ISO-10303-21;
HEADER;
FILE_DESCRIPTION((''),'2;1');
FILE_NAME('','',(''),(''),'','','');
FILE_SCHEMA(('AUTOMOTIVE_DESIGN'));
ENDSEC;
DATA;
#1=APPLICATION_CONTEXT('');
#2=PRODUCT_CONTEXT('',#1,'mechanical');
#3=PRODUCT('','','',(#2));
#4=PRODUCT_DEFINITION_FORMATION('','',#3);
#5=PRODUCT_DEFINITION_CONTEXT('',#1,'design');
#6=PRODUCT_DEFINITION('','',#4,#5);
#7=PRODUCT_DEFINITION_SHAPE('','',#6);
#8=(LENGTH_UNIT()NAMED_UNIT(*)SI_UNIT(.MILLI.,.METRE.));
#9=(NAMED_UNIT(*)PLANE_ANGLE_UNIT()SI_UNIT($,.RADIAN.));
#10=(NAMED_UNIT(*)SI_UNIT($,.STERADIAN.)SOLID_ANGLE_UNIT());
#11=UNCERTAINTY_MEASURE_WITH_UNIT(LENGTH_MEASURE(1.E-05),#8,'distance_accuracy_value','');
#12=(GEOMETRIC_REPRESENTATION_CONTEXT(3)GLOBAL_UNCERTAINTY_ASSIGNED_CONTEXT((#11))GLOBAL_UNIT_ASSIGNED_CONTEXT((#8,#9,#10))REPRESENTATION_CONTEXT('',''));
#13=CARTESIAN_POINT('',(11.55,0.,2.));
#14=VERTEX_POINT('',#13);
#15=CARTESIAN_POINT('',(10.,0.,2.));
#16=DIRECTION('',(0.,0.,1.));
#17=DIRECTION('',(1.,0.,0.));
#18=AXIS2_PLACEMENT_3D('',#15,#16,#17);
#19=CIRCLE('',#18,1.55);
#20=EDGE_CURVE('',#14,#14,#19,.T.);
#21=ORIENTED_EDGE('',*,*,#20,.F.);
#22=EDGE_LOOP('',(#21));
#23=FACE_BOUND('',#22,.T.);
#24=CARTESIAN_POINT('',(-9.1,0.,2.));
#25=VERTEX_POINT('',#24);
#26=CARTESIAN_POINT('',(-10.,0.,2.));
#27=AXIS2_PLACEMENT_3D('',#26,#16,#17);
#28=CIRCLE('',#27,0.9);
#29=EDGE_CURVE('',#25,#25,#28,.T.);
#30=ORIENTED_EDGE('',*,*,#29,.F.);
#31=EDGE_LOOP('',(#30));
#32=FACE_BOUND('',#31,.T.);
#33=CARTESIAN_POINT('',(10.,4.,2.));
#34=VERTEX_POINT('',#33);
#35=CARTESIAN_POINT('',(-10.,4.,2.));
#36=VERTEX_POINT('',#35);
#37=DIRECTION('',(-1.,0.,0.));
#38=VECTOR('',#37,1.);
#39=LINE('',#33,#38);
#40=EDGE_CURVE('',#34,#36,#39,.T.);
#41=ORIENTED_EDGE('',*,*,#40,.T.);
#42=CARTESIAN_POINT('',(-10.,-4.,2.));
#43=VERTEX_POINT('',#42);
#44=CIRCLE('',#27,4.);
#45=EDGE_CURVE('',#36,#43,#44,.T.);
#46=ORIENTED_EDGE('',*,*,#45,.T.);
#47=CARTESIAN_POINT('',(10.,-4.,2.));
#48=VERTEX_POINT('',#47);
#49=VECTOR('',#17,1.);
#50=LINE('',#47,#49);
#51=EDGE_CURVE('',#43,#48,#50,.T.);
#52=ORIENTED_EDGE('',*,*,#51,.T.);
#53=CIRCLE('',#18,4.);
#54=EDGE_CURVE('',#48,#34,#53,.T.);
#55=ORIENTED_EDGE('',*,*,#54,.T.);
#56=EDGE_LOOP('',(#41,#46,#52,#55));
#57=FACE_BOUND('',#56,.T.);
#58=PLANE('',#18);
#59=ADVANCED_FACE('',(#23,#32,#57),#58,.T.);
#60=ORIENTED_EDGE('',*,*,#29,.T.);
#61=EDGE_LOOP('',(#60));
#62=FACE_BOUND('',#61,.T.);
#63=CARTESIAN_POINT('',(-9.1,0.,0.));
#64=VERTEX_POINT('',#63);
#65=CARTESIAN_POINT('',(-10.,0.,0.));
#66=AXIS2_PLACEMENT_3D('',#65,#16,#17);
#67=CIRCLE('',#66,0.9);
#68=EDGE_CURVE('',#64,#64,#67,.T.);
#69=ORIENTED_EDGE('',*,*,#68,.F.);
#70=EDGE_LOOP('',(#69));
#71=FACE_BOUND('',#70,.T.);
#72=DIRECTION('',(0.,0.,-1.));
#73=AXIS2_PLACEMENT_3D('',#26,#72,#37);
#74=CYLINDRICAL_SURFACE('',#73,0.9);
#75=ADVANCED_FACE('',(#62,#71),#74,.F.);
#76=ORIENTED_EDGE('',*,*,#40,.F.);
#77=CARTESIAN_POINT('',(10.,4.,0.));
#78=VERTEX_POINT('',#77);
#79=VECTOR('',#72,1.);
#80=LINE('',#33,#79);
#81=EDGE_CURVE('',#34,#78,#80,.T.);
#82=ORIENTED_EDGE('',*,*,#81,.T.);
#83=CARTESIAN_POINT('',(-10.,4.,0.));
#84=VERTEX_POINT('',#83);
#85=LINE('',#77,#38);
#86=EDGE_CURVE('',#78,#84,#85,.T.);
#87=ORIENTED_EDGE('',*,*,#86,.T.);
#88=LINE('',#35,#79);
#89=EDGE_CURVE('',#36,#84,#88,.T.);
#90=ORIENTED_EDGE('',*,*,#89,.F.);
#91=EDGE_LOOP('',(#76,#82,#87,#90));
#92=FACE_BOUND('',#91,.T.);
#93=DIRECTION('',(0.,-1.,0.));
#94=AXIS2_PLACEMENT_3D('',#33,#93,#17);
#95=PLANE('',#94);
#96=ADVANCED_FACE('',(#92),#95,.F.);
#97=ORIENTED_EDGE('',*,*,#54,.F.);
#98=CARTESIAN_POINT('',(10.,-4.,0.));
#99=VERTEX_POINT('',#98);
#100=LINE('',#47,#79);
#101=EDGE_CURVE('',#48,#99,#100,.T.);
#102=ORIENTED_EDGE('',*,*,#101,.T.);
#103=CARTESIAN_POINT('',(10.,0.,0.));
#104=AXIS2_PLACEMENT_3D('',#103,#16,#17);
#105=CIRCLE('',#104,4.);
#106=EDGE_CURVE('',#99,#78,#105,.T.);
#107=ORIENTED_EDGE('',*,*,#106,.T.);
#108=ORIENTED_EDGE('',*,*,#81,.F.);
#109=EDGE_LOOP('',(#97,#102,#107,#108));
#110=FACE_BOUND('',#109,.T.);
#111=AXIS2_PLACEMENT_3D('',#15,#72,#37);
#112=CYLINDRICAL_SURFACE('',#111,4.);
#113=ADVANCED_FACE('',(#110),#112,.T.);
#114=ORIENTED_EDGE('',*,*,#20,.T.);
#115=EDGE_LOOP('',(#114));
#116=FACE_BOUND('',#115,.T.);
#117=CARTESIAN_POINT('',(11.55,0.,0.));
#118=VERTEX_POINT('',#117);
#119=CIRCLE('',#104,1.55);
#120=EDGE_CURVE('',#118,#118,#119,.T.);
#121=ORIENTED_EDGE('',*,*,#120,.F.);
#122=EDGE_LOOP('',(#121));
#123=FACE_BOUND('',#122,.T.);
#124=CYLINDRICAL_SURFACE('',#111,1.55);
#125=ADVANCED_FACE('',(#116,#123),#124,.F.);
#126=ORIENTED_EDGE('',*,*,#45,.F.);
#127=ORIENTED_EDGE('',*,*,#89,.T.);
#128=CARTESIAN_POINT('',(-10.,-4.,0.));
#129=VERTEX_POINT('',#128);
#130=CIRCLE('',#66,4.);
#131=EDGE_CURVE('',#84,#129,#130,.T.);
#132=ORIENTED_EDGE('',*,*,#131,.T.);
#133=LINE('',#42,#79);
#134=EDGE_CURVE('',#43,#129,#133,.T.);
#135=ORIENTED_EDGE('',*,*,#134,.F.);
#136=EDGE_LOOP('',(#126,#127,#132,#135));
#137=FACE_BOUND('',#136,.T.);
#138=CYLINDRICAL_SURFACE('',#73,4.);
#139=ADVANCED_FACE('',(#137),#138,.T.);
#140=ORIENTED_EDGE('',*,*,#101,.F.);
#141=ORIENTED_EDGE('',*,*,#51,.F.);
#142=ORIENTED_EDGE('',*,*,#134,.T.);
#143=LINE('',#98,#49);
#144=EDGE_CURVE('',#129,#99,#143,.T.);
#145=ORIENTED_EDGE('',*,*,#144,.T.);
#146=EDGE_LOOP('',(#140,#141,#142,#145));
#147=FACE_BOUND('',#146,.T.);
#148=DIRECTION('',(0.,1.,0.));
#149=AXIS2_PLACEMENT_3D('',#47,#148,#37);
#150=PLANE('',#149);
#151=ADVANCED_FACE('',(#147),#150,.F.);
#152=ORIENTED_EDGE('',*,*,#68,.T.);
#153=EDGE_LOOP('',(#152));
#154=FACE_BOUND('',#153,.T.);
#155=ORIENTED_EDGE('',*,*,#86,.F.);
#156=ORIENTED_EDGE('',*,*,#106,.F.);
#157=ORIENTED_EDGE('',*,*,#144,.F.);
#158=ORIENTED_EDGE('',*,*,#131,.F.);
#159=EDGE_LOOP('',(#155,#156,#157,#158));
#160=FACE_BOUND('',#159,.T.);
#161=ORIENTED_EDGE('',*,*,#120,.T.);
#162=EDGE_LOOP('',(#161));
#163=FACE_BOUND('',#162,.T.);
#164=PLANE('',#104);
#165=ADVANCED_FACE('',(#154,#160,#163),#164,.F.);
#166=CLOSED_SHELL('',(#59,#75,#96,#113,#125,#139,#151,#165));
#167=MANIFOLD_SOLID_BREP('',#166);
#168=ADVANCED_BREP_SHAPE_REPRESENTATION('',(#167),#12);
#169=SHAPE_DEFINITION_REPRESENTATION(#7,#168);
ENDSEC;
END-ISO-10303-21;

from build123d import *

# Parameters (mm, degrees)
SKETCH_1_R      = 1.55
SKETCH_1_R_2    = 0.9
EXTRUDE_1_DEPTH = 2


with BuildPart() as part:
    # 草图1 → 凸台-拉伸1 (new body)
    with BuildSketch(Plane.XY):
        with BuildLine():
            Line((10, -4), (-10, -4))
            ThreePointArc((-10, -4), (-14, 0), (-10, 4))
            Line((-10, 4), (10, 4))
            ThreePointArc((10, 4), (14, 0), (10, -4))
        make_face()
        with Locations((10, 0)):
            Circle(SKETCH_1_R, mode=Mode.SUBTRACT)
        with Locations((-10, 0)):
            Circle(SKETCH_1_R_2, mode=Mode.SUBTRACT)
    extrude(amount=EXTRUDE_1_DEPTH)


solid = part.part
